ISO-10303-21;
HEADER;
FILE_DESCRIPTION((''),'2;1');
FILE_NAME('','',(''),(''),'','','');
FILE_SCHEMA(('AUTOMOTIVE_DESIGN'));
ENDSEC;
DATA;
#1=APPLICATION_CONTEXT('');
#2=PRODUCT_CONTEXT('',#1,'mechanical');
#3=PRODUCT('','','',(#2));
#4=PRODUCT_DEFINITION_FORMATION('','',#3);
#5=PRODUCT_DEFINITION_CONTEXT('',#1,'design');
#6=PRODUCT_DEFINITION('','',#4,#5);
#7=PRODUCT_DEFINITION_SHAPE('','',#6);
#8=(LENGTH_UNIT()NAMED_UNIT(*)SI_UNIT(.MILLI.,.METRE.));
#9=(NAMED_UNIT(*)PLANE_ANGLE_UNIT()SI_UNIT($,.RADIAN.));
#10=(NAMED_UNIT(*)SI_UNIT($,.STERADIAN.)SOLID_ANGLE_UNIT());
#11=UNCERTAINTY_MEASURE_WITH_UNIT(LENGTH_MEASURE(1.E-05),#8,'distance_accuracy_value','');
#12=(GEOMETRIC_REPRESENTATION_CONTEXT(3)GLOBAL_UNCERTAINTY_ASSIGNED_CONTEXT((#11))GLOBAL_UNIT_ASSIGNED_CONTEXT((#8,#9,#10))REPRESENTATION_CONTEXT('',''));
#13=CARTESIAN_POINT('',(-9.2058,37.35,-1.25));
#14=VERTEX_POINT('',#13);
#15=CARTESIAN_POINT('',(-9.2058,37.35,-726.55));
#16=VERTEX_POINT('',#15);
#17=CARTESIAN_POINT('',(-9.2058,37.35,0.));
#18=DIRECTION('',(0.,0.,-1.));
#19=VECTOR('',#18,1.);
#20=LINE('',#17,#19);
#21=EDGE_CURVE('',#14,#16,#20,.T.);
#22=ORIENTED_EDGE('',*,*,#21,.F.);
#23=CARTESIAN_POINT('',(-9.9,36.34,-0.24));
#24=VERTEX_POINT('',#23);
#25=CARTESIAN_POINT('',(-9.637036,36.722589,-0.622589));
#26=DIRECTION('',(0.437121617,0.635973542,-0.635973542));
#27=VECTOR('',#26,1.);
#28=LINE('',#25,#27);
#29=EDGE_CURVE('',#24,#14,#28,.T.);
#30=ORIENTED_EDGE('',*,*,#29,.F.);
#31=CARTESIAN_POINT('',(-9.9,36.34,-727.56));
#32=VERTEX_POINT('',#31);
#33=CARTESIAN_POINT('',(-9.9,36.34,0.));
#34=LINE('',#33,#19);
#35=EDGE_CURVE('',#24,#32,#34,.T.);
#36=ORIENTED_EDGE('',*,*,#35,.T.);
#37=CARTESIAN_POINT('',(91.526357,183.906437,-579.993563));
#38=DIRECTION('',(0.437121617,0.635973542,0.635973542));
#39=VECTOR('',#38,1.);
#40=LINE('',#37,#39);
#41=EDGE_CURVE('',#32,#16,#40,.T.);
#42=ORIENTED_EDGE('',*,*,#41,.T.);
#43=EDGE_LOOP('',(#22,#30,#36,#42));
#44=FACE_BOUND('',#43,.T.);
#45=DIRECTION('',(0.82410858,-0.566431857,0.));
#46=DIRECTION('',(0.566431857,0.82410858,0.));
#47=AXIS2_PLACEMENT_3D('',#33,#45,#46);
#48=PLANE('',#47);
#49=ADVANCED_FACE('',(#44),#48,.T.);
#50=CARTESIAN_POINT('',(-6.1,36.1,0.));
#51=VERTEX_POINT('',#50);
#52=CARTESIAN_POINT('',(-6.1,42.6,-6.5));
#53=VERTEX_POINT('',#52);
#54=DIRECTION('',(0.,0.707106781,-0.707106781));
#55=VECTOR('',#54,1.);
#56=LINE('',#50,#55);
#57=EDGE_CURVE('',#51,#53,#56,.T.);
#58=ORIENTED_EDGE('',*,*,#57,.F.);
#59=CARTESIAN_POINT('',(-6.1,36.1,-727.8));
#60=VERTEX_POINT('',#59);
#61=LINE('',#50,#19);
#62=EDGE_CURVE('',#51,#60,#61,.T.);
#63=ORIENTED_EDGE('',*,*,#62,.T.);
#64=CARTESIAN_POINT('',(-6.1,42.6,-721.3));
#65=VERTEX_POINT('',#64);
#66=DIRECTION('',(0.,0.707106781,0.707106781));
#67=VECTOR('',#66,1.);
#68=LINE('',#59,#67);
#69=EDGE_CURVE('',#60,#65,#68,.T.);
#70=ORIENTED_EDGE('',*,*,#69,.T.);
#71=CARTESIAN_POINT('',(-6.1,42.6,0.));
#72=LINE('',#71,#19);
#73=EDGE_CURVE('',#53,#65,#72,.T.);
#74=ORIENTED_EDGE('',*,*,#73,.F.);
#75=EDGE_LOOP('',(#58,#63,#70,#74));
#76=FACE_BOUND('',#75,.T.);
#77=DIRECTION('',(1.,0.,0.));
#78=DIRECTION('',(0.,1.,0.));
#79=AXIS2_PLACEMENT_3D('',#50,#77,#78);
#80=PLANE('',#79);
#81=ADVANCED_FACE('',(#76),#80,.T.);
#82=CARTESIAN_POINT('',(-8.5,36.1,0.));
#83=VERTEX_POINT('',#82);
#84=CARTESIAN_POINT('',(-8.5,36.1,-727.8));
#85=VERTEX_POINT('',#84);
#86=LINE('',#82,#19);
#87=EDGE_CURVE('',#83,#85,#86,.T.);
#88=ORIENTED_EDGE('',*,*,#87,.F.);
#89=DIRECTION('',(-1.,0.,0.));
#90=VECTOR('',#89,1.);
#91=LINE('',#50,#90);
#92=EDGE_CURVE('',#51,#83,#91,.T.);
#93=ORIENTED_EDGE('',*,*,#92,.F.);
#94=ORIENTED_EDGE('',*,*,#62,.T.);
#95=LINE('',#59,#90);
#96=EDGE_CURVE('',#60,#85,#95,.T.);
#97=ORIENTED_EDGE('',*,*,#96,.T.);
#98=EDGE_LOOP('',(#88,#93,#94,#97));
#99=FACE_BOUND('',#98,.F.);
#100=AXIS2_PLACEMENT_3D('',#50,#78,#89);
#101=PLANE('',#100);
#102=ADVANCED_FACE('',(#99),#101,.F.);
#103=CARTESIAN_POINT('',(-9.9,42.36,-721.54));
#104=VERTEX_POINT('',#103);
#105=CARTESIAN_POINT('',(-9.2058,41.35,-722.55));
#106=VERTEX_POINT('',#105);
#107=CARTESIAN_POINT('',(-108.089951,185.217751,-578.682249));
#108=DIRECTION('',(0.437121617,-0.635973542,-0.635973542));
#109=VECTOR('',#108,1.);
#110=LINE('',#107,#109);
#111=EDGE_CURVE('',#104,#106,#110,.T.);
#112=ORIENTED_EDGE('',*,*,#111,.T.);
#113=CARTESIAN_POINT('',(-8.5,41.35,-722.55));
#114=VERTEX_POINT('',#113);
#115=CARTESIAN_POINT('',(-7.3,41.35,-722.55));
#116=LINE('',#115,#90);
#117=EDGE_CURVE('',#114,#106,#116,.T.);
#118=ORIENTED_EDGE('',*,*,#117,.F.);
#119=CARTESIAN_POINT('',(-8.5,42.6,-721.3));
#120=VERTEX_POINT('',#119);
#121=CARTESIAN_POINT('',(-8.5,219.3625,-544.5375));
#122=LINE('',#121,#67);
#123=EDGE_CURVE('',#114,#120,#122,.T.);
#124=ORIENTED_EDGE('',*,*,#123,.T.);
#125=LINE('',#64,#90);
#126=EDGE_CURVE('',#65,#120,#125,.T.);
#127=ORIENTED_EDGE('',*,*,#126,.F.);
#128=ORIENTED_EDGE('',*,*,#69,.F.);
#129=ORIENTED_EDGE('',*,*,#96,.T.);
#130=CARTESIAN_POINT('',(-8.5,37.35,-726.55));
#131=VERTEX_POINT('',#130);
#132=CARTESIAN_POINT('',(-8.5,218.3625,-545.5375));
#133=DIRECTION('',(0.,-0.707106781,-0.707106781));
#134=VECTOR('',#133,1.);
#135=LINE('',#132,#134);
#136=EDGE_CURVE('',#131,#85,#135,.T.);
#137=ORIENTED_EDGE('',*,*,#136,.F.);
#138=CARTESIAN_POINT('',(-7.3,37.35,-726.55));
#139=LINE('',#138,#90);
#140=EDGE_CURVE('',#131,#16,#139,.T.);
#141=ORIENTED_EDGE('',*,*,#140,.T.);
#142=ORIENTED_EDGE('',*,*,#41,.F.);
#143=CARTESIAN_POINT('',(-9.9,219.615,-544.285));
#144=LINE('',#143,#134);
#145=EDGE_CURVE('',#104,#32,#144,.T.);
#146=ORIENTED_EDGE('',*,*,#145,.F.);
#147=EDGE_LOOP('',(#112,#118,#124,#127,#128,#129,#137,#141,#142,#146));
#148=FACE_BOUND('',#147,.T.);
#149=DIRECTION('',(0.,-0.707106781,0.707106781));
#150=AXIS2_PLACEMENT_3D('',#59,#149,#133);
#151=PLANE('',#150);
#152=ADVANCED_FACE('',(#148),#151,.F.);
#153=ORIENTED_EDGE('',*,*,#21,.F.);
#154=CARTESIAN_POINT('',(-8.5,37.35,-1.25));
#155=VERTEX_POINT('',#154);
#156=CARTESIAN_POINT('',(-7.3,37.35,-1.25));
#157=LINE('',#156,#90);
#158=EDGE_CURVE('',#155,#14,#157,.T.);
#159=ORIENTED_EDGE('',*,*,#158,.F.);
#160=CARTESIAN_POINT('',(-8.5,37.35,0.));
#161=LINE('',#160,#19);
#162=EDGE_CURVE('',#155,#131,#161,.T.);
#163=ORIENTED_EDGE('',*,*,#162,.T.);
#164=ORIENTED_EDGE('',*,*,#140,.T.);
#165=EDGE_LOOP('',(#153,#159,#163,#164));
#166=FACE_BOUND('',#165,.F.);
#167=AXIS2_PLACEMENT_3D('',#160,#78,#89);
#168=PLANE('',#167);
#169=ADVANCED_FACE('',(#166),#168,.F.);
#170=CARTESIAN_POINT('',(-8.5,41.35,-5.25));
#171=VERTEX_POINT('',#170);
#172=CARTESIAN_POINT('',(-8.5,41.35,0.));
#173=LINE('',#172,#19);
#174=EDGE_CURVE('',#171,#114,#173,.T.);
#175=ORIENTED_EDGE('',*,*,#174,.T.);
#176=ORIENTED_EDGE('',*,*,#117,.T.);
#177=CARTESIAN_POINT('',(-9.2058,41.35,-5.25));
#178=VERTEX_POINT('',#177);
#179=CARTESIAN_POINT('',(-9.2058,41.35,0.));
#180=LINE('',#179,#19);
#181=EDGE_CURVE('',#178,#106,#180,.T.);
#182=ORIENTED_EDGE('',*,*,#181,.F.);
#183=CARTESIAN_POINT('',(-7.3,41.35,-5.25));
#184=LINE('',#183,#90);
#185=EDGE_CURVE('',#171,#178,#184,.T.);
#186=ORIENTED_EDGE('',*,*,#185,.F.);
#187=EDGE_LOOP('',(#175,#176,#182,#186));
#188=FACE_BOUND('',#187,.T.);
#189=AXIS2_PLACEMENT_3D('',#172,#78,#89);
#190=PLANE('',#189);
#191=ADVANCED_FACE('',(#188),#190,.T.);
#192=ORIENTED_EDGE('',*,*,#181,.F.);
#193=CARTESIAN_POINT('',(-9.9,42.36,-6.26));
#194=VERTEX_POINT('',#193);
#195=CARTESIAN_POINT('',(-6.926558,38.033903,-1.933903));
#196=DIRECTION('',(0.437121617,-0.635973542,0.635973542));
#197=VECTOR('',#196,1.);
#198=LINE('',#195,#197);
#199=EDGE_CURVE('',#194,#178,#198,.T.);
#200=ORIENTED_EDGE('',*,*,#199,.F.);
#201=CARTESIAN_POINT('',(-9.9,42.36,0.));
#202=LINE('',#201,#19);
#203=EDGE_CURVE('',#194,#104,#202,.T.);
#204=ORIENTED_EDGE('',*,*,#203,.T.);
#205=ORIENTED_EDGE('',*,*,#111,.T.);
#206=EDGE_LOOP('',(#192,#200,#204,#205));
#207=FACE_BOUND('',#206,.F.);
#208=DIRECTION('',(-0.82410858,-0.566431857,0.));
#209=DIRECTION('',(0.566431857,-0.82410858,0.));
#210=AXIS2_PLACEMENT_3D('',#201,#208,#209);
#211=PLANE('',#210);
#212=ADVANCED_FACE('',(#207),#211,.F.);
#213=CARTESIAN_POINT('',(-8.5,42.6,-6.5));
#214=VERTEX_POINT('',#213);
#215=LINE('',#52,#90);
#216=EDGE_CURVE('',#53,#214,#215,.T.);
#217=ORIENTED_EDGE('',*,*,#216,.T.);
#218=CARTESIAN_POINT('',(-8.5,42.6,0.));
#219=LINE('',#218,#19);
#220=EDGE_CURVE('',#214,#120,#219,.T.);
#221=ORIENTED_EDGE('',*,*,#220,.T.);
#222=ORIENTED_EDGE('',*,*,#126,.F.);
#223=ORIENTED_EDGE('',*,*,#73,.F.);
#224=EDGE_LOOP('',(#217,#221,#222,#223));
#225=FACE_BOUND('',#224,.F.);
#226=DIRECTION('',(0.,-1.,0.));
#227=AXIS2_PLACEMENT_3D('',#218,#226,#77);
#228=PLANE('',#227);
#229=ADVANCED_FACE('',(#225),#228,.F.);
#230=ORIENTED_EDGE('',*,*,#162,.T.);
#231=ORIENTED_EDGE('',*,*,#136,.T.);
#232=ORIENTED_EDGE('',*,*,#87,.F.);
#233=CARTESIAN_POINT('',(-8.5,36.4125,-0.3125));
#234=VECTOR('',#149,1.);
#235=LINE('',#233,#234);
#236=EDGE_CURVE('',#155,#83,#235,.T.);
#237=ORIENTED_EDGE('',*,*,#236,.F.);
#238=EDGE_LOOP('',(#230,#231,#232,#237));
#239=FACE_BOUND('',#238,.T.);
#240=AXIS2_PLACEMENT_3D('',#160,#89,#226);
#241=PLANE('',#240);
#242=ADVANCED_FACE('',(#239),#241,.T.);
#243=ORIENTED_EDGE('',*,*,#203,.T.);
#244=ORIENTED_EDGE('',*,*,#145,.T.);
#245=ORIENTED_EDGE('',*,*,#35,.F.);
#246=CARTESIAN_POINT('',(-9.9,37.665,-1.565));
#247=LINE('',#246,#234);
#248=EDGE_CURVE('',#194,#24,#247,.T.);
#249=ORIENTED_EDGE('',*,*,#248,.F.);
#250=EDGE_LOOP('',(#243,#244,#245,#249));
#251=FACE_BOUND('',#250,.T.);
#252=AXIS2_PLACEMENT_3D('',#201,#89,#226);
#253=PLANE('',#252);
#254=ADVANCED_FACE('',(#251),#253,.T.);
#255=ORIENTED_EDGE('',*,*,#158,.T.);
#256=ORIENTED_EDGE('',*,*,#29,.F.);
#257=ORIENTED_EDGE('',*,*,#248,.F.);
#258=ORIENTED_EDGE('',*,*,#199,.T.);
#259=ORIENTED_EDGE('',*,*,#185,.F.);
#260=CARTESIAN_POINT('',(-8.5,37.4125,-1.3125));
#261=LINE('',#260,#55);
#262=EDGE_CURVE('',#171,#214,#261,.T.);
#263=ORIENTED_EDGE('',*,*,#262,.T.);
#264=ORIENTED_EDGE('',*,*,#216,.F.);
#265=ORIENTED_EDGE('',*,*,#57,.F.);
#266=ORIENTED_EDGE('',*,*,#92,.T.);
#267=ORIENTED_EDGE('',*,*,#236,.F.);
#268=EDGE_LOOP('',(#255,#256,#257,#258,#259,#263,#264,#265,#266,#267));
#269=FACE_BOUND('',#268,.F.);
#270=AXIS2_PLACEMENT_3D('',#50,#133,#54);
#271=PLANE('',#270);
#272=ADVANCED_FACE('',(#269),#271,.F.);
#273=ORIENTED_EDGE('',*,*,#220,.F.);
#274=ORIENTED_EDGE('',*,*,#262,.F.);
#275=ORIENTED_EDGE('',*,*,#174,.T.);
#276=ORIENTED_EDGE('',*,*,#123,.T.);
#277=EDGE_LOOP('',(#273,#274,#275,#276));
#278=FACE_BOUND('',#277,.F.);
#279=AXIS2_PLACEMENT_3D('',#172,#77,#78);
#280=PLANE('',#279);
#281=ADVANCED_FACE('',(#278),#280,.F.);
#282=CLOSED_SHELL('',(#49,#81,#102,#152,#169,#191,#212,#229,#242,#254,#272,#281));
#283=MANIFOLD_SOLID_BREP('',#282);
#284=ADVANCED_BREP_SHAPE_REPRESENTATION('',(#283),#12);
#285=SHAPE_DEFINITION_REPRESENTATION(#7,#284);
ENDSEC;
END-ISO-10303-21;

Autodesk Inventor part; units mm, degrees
ref_plane "YZ Plane" through (0, 0, 0) normal (1, 0, 0) x (0, 1, 0)
ref_plane "XZ Plane" through (0, 0, 0) normal (0, 1, 0) x (-1, 0, 0)
sketch "Sketch1" plane through (0, 0, 0) normal (0, 0, 1) x (1, 0, 0)
  line L0 (-8.5, 42.6) -> (-6.1, 42.6)
  line L1 (-6.1, 36.1) -> (-8.5, 36.1)
  line L2 (-6.1, 36.1) -> (-6.1, 42.6)
  line L3 (-8.5, 37.35) -> (-8.5, 36.1)
  line L4 (-8.5, 41.35) -> (-8.5, 42.6)
  line L5 (-8.5, 37.35) -> (-9.2058, 37.35)
  line L6 (-8.5, 41.35) -> (-9.2058, 41.35)
  line L7 (-9.9, 42.36) -> (-9.2058, 41.35)
  line L8 (-9.9, 36.34) -> (-9.2058, 37.35)
  line L9 (-9.9, 42.36) -> (-9.9, 36.34)
  point P0 (-8.5, 41.975)
  point P1 (-6.1, 39.35)
  dimension "d27" = 6.5
  dimension "d28" = 2.4
  dimension "d29" = 2.4
  dimension "d35" = 111
  dimension "d36" = 4
  dimension "d37" = 6.02
  dimension "d38" = 0.7058
  dimension "d39" = 0.7058
  dimension "d43" = 3.01
  dimension "d44" = 2
extrude "Extrusion1" add sketch "Sketch1" against normal blind 727.8
ref_plane "Plano de trabajo3" through (0, 0, -363.9) normal (0, 0, 1) x (1, 0, 0)
sketch "Boceto2" plane through (-6.1, 36.1, 0) normal (1, 0, 0) x (0, 0, -1)
  line L0 (0, 0) -> (6.5, 6.5)
  line L1 (0, 6.5) -> (727.8, 6.5) projected
  line L2 (6.5, 6.5) -> (0, 6.5)
  line L3 (0, 0) -> (0, 6.5)
  line L4 (0, 6.26) -> (0, 0.24) projected
  point P0 (0, -36.1)
  dimension "d60" = 45
extrude "Extrusión2" cut sketch "Boceto2" against normal through all
mirror "Simetría2" about plane through (0, 0, -363.9) normal (0, 0, 1) of "Extrusión2"
properties part number "JUNTA DE GOMA 800MM" material "Rubber"
